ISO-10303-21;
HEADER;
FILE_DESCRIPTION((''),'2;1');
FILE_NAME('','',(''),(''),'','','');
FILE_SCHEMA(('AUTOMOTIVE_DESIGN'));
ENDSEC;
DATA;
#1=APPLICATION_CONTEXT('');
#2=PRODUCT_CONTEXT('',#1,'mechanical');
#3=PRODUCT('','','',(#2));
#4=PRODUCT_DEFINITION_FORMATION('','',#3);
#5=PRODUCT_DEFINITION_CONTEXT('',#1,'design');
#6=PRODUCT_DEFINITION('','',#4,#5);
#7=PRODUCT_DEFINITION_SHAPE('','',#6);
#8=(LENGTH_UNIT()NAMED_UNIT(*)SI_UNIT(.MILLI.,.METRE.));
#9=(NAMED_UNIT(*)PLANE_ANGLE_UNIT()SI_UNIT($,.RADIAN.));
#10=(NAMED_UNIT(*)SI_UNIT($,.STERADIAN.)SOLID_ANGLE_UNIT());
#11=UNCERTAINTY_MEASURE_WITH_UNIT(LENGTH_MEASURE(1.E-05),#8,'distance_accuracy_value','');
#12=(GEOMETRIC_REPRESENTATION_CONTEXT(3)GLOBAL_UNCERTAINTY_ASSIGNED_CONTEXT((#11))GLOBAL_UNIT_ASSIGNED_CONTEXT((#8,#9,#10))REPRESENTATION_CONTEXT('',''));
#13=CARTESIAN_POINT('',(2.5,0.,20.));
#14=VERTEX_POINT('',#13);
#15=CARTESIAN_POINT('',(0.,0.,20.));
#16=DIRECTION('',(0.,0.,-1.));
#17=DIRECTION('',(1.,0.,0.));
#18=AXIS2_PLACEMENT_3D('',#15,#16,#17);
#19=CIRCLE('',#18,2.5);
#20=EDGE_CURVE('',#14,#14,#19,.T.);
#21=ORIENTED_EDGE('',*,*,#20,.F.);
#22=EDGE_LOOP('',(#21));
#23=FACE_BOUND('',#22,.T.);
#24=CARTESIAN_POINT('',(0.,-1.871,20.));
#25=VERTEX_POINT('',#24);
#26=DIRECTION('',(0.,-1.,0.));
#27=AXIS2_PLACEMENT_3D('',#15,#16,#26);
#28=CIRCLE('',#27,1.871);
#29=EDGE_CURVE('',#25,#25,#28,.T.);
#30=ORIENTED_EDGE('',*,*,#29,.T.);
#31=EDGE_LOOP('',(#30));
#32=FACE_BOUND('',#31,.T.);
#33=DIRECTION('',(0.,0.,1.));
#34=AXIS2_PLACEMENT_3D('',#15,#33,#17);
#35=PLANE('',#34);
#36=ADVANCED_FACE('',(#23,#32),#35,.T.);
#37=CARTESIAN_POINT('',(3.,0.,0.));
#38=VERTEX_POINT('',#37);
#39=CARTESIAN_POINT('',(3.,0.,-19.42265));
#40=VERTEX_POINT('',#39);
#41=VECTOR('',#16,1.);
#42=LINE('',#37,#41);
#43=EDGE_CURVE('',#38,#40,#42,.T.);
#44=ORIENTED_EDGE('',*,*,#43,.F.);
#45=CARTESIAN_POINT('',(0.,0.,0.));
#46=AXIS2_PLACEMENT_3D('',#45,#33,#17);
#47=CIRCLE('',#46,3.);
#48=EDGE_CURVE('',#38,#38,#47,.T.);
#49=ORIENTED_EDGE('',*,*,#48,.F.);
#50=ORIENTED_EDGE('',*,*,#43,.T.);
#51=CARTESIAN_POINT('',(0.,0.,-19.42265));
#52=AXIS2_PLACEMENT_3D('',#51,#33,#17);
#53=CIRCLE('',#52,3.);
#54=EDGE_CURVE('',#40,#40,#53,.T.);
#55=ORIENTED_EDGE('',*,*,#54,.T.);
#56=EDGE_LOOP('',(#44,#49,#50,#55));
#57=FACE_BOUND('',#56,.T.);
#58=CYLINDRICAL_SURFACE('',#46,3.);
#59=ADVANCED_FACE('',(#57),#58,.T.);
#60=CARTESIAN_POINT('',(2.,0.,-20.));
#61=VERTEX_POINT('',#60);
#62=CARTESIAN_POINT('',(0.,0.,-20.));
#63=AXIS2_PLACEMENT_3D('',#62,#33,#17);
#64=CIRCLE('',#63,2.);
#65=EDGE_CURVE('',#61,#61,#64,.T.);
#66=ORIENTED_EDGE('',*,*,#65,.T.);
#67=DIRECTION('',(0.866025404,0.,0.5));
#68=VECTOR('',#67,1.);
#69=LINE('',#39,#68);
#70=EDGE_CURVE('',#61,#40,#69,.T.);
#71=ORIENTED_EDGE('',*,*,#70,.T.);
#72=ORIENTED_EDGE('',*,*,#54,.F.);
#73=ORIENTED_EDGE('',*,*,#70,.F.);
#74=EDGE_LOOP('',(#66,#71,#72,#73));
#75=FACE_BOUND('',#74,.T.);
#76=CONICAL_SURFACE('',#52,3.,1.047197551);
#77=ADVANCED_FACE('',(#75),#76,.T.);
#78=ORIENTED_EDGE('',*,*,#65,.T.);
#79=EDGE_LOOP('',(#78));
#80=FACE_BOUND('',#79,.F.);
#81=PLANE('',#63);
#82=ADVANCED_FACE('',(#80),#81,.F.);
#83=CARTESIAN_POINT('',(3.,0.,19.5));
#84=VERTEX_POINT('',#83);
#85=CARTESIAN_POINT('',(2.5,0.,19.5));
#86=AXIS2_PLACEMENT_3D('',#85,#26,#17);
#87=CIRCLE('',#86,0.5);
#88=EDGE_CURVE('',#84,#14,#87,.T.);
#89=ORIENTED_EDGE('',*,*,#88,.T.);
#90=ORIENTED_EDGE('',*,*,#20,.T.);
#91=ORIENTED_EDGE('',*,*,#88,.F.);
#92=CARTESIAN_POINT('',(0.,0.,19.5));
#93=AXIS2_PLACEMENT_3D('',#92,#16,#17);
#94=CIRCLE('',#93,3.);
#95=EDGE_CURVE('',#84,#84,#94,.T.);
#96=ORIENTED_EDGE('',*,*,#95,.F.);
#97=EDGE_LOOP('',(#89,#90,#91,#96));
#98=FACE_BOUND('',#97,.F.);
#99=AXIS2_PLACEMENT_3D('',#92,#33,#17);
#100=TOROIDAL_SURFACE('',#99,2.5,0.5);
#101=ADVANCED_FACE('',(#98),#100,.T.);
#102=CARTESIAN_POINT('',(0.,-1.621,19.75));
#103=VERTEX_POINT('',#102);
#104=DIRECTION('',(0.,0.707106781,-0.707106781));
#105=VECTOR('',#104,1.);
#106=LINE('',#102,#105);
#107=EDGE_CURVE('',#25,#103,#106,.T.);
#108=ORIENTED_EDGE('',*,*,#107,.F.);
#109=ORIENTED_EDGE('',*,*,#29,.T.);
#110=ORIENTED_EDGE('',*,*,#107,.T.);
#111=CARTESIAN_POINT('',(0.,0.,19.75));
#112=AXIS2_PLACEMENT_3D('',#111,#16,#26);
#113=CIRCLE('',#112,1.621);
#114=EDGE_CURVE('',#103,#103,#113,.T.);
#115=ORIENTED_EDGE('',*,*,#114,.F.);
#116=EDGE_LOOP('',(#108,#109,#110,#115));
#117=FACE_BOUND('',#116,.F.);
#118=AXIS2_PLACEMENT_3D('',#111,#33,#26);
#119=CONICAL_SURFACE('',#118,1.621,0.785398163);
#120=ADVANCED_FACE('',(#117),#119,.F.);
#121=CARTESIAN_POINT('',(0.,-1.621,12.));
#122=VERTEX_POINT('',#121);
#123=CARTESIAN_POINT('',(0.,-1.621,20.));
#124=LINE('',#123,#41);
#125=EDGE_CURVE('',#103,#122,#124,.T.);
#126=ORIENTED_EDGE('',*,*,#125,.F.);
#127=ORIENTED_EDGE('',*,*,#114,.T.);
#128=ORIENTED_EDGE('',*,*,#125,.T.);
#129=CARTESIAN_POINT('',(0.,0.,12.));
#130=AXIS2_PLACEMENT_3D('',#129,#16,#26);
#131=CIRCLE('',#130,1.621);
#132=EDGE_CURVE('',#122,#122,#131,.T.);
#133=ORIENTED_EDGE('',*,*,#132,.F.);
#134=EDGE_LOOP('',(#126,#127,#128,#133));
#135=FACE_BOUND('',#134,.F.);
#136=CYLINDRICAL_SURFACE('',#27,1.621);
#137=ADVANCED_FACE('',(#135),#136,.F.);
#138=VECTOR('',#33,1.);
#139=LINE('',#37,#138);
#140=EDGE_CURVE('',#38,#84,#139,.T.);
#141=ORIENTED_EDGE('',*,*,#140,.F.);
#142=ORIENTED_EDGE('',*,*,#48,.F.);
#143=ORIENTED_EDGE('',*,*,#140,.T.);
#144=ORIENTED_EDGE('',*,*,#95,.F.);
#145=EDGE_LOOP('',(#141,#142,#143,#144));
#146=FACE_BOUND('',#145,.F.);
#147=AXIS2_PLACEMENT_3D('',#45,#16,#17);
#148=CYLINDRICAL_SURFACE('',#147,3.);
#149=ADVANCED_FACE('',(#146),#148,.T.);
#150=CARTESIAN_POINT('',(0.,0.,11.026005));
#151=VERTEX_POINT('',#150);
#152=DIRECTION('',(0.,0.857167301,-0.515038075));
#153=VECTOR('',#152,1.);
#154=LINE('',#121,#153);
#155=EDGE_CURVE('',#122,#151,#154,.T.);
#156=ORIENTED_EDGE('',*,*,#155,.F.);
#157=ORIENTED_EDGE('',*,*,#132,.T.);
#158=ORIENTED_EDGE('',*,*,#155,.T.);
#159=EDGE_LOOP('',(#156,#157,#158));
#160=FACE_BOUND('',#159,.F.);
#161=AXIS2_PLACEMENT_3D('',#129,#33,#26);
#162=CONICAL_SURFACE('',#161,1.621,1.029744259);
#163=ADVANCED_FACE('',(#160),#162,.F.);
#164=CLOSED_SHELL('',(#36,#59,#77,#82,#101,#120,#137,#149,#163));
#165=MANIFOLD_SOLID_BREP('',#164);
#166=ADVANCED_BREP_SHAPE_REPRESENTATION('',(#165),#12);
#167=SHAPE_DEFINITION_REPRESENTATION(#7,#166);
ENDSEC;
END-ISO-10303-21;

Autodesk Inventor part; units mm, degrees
ref_plane "YZ Plane" through (0, 0, 0) normal (1, 0, 0) x (0, 1, 0)
ref_plane "XZ Plane" through (0, 0, 0) normal (0, 1, 0) x (-1, 0, 0)
ref_plane "XY Plane" through (0, 0, 0) normal (0, 0, 1) x (1, 0, 0)
sketch "Sketch1" plane through (0, 0, 0) normal (0, 0, 1) x (1, 0, 0)
  line L0 (0, 4.2) -> (0, -4.2) projected
  line L1 (-4.2, 0) -> (4.2, 0) projected
  circle A0 centre (0, 0) radius 3
  dimension "d0" = 6
extrude "Extrusion1" add sketch "Sketch1" along normal mid plane 40
chamfer "Chamfer1" distance 1 angle 30 1 edges at (-3, 0, -20) measured on face at (-0.5351, 1.0949, -20)
fillet "Fillet1" radius 0.5 1 edges at (-3, 0, 20)
sketch "Sketch2" plane through (0, 0, 20) normal (0, 0, 1) x (1, 0, 0)
  circle A0 centre (0, 0) radius 2.5 projected
hole "Hole1" at (0, 0, 20) direction (0, 0, -1) diameter 3.242 depth 8 tip angle 118 thread size "M4x0.7" class "6H" standard "ANSI Metric M Profile"
chamfer "Chamfer2" distance 0.25 angle 45 1 edges at (0, 1.621, 20)
properties part number "PIN, DOWEL, PULL, 6MMODX40MM" material "Steel, 4140, Carb & Case Harden 58-60 Rc, 0.06 Dp Case"
